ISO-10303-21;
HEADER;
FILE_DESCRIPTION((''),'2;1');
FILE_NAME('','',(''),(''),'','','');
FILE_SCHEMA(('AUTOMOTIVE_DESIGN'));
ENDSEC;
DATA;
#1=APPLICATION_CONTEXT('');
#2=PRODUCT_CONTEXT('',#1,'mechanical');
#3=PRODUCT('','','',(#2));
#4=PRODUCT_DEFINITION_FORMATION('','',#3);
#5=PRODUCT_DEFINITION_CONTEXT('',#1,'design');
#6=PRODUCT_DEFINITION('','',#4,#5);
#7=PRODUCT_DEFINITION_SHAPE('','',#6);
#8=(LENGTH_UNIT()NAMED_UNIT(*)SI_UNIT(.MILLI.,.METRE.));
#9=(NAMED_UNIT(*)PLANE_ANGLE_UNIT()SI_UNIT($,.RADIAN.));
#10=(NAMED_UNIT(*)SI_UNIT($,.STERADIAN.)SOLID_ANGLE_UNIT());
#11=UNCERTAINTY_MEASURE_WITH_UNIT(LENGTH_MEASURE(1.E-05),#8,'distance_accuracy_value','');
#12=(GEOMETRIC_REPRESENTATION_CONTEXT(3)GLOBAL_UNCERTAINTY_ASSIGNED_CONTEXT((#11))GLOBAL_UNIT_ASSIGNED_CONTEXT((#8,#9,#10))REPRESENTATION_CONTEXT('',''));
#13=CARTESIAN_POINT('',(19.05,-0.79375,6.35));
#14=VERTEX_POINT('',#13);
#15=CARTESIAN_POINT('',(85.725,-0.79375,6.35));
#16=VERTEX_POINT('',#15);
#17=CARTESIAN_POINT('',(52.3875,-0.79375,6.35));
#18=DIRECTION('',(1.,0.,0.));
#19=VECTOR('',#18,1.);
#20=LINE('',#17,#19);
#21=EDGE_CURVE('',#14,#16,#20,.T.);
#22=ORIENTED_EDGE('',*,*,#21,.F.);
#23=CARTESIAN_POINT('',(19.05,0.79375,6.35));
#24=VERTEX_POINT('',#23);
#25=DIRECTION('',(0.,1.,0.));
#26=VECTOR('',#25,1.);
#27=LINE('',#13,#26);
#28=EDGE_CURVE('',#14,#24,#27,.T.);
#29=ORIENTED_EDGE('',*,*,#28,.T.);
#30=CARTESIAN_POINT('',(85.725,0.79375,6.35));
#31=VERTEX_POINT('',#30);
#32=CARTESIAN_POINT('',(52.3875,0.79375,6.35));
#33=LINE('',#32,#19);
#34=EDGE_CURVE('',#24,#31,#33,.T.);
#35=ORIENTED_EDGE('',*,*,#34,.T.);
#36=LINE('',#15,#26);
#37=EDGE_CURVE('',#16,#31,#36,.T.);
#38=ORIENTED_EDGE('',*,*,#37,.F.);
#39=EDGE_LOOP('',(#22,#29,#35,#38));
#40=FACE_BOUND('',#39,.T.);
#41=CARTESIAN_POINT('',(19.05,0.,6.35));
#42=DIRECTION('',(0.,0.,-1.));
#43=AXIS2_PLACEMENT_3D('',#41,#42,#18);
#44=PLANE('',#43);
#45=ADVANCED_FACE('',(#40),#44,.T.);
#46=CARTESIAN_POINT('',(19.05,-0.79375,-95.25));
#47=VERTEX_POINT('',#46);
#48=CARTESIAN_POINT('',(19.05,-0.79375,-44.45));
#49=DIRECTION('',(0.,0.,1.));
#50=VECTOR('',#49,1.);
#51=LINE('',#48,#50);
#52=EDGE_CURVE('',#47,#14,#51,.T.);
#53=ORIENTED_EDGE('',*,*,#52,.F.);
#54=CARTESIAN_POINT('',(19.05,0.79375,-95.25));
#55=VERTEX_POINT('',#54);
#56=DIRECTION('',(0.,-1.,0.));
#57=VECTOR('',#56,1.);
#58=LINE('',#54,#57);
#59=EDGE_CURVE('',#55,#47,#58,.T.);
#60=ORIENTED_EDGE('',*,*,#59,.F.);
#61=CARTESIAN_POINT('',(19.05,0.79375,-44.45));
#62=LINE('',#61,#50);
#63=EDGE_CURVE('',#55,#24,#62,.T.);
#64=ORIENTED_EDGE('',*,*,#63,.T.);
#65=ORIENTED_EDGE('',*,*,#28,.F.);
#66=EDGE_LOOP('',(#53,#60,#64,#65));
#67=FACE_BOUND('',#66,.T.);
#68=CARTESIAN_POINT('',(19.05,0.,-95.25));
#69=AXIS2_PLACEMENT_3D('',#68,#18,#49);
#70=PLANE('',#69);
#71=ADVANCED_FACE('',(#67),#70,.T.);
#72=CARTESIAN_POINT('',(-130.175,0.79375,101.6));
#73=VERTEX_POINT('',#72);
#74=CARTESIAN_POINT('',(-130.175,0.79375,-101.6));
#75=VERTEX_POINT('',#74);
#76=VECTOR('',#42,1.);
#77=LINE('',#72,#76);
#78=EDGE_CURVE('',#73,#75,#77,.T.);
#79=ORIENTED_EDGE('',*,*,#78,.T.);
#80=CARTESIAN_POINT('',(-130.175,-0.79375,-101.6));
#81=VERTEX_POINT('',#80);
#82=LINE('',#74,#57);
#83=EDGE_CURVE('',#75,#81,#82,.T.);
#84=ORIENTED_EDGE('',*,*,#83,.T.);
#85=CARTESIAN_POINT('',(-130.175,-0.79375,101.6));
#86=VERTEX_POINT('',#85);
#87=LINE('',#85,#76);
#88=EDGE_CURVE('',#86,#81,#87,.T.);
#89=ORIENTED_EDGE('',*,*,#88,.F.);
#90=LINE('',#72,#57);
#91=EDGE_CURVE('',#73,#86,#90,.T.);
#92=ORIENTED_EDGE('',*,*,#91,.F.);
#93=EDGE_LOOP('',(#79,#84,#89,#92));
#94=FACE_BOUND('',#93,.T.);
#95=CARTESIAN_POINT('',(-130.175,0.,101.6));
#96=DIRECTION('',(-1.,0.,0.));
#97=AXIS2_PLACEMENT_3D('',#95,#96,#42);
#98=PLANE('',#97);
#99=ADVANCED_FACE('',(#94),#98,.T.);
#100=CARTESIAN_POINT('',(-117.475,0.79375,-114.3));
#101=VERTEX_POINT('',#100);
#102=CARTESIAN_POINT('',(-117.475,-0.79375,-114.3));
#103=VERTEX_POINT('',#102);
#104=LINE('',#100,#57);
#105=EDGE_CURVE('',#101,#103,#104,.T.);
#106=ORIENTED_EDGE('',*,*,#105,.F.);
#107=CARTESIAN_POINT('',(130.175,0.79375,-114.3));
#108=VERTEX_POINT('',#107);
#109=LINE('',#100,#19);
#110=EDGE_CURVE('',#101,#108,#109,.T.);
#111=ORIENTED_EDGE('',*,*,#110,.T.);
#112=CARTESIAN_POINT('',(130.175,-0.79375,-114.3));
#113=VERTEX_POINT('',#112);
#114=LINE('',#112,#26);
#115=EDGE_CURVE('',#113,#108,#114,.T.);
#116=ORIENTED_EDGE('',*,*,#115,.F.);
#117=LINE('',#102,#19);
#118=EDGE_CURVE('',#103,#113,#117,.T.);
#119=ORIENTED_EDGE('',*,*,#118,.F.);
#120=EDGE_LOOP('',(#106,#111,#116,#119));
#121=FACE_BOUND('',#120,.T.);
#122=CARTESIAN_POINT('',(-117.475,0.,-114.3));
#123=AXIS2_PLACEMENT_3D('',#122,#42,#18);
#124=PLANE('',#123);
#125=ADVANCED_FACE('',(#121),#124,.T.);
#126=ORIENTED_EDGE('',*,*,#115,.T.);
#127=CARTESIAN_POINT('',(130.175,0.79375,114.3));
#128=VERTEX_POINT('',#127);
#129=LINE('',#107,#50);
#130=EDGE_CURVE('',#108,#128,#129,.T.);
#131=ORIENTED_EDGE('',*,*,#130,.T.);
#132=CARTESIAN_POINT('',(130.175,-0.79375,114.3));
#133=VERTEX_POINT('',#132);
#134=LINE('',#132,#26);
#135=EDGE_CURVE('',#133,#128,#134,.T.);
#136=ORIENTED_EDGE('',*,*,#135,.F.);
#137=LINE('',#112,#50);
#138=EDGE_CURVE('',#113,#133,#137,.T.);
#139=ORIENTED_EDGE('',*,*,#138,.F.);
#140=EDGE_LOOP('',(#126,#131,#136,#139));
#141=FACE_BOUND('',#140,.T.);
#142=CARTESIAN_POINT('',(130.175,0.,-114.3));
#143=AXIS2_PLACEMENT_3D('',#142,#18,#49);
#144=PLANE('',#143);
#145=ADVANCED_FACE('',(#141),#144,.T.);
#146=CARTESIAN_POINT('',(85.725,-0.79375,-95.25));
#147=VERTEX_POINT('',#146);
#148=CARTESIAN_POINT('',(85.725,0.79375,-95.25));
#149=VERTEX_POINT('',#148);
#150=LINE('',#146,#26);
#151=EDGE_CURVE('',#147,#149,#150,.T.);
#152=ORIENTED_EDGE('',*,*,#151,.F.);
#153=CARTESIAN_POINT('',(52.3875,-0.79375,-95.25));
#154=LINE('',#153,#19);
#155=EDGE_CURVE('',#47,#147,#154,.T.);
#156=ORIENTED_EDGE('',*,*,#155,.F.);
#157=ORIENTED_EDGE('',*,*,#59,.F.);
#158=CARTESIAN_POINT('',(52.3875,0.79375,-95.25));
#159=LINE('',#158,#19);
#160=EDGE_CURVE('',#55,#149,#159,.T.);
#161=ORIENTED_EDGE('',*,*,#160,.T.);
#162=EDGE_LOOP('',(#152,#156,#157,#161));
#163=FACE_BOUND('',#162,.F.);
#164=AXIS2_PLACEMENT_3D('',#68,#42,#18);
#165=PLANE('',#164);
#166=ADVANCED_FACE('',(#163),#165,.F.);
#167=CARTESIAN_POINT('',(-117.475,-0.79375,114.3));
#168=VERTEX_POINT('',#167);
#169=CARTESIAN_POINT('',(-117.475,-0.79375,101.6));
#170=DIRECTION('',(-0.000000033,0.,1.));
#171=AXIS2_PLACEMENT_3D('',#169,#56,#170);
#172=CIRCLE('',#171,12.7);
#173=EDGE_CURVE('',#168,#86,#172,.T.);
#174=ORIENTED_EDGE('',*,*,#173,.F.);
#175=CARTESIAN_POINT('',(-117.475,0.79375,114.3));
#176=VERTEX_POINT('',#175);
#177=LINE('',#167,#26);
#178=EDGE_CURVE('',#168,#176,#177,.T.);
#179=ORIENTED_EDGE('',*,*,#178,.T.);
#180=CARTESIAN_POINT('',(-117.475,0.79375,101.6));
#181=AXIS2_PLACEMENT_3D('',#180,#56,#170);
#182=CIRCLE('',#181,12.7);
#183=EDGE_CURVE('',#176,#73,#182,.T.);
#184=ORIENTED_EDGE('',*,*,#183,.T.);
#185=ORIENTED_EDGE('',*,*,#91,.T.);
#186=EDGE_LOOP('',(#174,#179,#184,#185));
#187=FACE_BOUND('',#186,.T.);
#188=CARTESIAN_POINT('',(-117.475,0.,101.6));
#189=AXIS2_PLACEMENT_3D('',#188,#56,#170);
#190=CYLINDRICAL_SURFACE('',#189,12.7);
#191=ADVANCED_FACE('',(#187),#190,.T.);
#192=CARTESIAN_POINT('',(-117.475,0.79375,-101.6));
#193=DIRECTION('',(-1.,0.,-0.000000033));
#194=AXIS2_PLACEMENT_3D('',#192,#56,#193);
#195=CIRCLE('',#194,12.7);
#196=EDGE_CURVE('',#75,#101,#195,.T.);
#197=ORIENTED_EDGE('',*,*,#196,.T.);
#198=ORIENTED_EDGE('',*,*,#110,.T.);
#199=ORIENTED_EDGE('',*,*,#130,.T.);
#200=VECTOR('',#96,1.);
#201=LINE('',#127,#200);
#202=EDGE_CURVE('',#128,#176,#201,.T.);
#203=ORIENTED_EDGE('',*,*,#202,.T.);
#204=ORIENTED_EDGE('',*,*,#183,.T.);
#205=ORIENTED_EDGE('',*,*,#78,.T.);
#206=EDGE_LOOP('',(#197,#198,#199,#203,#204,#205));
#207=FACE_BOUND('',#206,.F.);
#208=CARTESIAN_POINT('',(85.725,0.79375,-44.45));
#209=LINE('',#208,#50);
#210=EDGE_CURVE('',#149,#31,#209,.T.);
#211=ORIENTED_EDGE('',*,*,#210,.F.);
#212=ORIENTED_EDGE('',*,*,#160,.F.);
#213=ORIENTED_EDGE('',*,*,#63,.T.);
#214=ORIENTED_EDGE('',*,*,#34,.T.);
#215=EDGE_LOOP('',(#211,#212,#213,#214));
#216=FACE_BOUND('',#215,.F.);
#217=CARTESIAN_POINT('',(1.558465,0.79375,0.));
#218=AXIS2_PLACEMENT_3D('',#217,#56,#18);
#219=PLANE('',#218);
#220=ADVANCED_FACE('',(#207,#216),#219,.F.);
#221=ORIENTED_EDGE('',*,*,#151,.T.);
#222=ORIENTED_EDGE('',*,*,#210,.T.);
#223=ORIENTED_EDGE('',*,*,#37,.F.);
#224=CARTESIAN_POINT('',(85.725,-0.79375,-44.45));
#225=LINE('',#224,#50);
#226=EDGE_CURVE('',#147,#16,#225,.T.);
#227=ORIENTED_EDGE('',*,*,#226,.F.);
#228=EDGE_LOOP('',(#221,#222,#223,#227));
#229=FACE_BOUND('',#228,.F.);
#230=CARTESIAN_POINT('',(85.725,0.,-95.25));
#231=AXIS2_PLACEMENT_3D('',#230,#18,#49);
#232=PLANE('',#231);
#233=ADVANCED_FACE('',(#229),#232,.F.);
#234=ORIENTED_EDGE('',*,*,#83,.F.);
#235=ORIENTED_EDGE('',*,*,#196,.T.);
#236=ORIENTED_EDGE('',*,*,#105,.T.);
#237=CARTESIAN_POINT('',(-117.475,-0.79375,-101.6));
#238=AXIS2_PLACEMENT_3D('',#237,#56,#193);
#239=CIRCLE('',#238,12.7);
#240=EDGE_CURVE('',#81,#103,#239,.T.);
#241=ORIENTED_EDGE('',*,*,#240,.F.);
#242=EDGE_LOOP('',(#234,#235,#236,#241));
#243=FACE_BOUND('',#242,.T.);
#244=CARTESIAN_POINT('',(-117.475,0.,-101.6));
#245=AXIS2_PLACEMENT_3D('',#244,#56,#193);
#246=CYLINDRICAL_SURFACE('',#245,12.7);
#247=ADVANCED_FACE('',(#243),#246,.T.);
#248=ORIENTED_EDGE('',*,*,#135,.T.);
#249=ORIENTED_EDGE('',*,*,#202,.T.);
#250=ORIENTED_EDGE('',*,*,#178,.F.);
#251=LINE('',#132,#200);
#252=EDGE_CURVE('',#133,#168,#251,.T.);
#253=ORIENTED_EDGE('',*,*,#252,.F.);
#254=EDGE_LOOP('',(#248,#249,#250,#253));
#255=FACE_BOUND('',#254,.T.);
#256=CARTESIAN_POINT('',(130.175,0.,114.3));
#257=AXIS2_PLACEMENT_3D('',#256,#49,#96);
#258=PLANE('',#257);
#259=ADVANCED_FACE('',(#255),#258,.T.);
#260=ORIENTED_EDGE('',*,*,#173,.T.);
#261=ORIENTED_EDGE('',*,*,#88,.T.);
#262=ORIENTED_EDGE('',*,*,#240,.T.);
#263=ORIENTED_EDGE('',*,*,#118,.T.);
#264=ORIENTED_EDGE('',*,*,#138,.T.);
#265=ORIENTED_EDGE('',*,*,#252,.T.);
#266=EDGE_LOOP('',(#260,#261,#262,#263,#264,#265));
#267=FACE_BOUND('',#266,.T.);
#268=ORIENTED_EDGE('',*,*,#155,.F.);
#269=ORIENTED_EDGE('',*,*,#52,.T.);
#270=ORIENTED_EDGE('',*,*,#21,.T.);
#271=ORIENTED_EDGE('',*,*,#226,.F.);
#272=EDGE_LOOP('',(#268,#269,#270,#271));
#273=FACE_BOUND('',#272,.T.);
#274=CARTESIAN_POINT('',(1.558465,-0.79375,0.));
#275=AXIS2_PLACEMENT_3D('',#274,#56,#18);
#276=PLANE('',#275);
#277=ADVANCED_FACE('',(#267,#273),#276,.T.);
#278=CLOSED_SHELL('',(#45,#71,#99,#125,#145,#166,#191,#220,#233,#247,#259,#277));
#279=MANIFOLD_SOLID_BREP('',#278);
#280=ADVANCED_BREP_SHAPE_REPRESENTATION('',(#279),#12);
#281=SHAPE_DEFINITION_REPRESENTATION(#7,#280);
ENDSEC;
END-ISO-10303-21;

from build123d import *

# Parameters (mm, degrees)
F0_W     = 66.675
F0_H     = 101.6
F1_DEPTH = 0.79375


with BuildPart() as f1:
    # F0 (on Front) → F1 (new body, symmetric)
    with BuildSketch(Plane.XZ):
        with BuildLine():
            Line((117.475, 114.3), (-117.475, 114.3))
            ThreePointArc((-117.475, 114.3), (-126.455256, 110.580256), (-130.175, 101.6))
            Line((-130.175, 101.6), (-130.175, -101.6))
            ThreePointArc((-130.175, -101.6), (-126.455256, -110.580256), (-117.475, -114.3))
            Line((-117.475, -114.3), (117.475, -114.3))
            Line((117.475, -114.3), (130.175, -114.3))
            Line((130.175, -114.3), (130.175, -101.6))
            Line((130.175, -101.6), (130.175, 101.6))
            Line((130.175, 101.6), (130.175, 114.3))
            Line((130.175, 114.3), (117.475, 114.3))
        make_face()
        with Locations((52.3875, -44.45)):
            Rectangle(F0_W, F0_H, mode=Mode.SUBTRACT)
    extrude(amount=F1_DEPTH, both=True)


solid = f1.part
